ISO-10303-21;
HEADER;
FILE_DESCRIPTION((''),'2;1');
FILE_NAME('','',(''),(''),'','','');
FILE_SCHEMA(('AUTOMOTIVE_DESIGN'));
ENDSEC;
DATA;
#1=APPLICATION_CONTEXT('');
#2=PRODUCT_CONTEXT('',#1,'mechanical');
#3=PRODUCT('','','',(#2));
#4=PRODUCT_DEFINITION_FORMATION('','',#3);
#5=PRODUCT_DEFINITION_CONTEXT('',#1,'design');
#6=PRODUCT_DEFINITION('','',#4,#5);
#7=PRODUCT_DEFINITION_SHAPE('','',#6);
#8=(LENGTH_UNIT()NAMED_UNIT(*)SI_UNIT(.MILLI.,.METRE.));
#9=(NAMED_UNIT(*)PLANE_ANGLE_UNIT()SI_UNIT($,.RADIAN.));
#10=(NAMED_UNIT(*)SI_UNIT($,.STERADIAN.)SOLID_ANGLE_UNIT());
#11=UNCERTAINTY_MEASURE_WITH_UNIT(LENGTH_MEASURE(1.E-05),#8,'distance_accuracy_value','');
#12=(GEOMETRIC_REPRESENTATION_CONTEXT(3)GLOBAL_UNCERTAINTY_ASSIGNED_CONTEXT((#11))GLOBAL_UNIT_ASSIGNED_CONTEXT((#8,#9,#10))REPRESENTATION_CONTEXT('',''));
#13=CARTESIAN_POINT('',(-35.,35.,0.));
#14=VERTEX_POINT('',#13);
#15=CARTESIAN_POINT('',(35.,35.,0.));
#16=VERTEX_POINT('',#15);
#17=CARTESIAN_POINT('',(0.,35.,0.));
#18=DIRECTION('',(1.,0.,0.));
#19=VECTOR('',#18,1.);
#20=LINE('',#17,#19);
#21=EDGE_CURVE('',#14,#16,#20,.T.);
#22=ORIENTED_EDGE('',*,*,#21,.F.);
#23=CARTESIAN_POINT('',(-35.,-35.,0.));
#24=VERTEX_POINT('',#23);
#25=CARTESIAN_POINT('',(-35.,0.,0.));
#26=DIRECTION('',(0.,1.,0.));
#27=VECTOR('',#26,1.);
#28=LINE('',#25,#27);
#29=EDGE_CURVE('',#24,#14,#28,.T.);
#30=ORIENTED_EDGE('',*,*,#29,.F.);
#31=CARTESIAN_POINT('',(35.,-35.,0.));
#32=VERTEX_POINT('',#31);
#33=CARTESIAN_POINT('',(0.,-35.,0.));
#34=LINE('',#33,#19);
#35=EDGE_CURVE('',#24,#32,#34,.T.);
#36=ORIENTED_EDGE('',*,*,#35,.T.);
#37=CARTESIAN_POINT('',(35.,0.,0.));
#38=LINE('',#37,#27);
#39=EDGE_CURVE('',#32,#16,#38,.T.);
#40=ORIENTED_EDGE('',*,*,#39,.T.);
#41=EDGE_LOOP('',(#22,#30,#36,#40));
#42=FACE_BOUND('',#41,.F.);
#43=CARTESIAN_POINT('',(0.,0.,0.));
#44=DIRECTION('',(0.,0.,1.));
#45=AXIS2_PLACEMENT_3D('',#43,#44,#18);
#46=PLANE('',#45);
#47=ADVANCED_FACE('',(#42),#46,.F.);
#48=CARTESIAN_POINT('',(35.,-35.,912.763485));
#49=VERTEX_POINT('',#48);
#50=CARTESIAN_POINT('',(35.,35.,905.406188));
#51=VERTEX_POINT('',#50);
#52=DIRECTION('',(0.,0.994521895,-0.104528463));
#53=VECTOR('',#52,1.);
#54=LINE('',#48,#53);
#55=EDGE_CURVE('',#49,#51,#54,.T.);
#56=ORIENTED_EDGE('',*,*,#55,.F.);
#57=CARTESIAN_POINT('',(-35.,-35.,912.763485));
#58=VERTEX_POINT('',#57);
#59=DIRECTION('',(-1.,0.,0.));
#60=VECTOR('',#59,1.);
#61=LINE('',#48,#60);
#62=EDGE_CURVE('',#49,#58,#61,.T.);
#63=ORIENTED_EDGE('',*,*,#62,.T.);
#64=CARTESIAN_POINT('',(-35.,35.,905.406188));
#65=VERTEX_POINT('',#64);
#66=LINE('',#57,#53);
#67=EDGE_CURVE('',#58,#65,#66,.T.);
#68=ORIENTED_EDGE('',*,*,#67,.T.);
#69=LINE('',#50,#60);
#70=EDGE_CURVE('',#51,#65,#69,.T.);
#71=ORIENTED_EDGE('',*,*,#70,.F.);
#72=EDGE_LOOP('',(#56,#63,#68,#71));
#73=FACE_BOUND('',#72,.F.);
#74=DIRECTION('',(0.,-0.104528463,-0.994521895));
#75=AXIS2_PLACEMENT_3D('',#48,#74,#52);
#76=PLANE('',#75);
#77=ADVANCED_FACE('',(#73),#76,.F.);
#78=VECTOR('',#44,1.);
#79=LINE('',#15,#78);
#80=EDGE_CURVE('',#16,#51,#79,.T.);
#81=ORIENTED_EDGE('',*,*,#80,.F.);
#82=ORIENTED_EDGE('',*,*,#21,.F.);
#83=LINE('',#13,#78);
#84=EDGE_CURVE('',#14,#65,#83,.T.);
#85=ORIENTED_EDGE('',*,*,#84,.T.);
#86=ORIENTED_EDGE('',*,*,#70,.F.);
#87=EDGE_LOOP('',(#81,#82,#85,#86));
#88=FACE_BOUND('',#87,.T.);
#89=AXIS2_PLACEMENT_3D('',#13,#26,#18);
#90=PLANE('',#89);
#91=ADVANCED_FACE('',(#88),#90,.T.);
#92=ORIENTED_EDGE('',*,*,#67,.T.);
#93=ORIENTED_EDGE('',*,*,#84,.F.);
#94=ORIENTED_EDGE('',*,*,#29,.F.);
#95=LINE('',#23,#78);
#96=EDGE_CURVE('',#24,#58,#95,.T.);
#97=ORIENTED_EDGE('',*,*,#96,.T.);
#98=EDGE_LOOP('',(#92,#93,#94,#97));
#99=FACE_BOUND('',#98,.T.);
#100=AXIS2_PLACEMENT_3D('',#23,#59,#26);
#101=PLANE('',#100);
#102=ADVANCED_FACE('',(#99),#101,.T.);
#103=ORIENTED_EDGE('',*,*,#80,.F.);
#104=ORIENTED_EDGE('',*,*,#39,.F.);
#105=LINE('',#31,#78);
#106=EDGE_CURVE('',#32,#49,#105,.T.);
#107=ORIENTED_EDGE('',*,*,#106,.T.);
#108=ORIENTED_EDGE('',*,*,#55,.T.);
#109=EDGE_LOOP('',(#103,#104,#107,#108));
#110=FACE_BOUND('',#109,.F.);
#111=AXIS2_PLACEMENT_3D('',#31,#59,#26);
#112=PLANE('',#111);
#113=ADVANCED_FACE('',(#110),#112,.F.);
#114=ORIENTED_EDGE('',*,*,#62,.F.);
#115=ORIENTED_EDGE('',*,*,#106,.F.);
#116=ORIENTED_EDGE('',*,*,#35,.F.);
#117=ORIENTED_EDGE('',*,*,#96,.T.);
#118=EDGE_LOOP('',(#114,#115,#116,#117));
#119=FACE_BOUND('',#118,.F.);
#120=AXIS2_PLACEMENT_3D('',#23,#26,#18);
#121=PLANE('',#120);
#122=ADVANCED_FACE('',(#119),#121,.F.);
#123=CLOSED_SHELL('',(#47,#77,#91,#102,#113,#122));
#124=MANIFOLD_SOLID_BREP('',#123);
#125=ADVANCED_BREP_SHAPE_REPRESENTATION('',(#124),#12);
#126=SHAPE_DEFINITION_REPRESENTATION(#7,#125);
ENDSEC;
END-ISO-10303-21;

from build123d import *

# Parameters (mm, degrees)
F0_W     = 70
F0_H     = 70
F1_DEPTH = 1000
F3_DEPTH = 70


with BuildPart() as f1:
    # F0 (on Top) → F1 (new body)
    with BuildSketch(Plane.XY):
        Rectangle(F0_W, F0_H)
    extrude(amount=F1_DEPTH)

    # F2 (on face) → F3 (cut, through all)
    with BuildSketch(Plane.YZ.offset(35)):
        Polygon((-35, 1000), (-35, 912.7634847295), (35, 905.4061882609), (35, 1000), align=None)
    extrude(amount=-F3_DEPTH, mode=Mode.SUBTRACT)


solid = f1.part
